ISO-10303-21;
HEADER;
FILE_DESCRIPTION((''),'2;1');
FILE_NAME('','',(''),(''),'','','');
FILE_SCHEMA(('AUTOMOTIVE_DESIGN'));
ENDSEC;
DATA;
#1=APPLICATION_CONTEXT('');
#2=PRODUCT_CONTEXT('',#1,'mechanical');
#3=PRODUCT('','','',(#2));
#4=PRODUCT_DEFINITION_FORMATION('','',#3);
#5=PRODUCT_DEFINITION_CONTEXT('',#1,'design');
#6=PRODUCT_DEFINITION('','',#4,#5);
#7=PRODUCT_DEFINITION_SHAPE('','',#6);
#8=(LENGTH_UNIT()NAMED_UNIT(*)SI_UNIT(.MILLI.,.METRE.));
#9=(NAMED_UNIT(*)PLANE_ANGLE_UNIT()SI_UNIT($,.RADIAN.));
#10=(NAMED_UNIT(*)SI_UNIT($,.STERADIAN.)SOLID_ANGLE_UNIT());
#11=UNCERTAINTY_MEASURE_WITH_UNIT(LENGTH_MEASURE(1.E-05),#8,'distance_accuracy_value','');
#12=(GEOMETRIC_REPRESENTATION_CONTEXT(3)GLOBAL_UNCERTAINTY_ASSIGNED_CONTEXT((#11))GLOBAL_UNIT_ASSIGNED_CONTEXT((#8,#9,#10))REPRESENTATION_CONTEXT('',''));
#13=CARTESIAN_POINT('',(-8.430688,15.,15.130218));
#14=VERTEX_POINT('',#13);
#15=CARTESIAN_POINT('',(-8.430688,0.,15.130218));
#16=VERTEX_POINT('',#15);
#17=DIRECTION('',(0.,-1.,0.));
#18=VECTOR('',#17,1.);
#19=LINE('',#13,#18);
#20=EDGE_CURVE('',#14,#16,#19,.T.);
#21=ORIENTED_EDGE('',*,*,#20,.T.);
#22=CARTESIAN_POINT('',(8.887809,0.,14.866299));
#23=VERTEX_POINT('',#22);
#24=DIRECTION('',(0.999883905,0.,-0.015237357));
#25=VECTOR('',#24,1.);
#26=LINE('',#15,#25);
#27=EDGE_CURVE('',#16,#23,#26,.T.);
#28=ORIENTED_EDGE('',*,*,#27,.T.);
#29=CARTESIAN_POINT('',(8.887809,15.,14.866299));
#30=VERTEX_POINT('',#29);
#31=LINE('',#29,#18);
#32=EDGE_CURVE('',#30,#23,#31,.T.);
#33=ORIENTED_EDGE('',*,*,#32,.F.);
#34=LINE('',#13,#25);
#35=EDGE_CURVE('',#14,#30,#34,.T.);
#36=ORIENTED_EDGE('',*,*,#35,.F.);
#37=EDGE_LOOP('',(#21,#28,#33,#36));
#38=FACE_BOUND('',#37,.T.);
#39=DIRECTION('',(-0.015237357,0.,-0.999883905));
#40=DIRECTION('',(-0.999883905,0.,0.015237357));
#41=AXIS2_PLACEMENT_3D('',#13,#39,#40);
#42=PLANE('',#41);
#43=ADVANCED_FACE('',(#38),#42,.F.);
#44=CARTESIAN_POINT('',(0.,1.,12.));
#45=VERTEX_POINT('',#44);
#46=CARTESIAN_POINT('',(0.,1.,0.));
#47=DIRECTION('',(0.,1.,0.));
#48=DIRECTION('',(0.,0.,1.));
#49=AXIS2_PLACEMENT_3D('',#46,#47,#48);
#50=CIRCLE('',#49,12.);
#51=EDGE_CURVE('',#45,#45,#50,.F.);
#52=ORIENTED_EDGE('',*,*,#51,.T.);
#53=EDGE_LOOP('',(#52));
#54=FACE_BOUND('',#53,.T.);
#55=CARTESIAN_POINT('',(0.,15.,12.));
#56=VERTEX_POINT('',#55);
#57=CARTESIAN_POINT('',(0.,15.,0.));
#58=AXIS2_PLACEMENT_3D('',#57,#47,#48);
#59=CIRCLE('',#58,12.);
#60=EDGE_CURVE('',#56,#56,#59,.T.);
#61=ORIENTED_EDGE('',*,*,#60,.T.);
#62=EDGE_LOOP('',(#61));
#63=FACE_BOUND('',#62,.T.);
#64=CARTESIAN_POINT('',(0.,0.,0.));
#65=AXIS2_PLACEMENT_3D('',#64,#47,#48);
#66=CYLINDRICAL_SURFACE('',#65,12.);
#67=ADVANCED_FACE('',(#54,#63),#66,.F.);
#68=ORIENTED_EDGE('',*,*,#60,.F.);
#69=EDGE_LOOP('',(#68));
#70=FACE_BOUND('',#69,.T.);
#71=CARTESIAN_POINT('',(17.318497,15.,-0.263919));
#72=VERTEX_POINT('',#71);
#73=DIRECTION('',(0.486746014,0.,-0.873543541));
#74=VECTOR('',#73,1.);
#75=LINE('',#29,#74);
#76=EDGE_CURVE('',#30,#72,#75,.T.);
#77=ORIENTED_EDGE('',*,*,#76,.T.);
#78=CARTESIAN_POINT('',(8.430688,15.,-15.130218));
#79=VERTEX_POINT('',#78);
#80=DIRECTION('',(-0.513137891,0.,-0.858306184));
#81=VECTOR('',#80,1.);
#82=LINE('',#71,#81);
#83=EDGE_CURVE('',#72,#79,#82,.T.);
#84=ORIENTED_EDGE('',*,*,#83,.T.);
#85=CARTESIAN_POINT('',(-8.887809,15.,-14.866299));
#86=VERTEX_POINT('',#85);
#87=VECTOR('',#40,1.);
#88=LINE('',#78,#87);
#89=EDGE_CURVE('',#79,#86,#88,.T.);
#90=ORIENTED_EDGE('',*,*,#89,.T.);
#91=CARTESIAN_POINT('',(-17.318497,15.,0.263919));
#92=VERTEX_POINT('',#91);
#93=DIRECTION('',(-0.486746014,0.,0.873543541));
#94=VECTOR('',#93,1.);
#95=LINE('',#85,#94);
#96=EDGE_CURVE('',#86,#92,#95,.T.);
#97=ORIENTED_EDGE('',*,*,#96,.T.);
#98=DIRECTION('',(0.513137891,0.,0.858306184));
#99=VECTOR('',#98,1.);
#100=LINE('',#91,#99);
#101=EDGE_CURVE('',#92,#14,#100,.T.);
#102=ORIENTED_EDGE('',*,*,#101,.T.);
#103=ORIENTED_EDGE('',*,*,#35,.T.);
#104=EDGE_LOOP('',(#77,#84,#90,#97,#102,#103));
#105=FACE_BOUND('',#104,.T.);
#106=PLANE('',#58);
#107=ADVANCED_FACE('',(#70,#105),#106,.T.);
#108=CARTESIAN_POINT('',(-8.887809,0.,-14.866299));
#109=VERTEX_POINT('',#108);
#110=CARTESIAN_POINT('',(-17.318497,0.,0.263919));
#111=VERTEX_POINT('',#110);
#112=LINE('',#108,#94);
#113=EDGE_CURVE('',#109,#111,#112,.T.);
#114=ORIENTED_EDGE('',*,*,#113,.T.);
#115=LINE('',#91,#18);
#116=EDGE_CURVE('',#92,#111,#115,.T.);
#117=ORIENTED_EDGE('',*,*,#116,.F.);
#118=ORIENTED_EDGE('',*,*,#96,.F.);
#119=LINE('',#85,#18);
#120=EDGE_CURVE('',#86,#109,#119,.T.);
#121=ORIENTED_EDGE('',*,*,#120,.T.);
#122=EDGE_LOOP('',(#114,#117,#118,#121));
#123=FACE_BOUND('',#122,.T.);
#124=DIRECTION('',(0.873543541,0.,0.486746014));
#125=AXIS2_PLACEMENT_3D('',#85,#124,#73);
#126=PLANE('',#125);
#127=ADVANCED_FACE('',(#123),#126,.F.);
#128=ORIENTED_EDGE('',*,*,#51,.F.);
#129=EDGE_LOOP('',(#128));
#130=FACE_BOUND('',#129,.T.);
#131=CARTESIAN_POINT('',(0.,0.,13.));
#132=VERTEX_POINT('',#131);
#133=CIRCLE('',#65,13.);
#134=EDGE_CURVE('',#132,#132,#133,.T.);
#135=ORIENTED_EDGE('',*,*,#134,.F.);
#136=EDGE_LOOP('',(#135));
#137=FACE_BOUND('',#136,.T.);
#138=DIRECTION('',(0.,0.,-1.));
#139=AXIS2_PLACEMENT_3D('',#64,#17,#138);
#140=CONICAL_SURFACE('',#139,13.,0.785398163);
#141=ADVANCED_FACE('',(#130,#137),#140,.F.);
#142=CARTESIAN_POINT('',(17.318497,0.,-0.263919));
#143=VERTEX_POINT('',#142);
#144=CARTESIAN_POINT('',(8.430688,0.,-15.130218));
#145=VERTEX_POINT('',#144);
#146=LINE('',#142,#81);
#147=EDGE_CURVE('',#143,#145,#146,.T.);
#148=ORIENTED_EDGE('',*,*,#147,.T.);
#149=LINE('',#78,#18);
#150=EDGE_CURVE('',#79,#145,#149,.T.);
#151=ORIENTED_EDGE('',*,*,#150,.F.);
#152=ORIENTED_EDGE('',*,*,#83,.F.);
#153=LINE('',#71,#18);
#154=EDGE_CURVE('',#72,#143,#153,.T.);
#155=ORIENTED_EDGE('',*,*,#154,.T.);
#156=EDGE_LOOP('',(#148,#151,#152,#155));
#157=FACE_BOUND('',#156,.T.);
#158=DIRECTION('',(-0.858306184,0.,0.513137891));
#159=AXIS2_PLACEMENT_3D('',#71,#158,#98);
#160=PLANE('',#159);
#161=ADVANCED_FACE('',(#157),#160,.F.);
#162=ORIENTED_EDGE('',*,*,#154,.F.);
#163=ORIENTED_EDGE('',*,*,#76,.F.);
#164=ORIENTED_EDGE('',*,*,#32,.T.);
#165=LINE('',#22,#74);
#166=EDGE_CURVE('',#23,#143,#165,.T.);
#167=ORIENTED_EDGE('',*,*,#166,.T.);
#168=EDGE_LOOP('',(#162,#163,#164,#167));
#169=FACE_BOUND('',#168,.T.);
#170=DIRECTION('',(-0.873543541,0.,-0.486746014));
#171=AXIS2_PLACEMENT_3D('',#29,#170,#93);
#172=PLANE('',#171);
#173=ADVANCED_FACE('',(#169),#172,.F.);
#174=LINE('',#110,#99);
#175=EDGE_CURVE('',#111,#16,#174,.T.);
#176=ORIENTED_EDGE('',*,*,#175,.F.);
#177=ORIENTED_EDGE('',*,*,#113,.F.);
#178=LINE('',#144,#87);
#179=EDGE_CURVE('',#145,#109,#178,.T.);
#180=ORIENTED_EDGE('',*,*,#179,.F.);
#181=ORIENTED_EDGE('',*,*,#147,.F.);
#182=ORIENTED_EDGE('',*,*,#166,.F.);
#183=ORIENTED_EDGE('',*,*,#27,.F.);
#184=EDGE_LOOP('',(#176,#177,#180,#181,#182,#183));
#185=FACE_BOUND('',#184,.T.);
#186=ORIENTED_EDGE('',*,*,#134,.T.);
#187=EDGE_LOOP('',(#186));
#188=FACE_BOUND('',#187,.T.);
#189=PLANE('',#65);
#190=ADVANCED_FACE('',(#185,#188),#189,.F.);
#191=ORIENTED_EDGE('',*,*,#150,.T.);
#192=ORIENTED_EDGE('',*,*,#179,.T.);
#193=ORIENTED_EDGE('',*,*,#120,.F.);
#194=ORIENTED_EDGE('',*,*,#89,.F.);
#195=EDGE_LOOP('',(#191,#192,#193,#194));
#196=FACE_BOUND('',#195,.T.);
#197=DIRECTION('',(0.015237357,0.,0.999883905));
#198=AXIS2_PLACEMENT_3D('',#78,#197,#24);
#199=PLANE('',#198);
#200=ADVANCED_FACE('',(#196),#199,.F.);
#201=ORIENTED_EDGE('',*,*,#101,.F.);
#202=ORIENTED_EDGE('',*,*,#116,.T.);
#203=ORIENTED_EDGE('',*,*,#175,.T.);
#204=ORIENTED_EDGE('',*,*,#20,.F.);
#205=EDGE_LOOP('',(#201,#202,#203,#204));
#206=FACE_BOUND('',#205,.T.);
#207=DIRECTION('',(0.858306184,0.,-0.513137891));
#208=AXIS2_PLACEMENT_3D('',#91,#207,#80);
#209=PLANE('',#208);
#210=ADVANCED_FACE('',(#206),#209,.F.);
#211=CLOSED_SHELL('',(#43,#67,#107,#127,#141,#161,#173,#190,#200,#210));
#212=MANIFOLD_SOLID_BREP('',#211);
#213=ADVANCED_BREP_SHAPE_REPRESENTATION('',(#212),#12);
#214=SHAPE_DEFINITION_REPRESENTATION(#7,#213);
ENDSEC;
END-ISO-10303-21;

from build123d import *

# Parameters (mm, degrees)
BOSS_EXTRUDE1_DEPTH = 15
SKETCH2_R           = 12
CUT_EXTRUDE1_DEPTH  = 28.45639893
CHAMFER1_SIZE       = 1


with BuildPart() as part:
    # Sketch1 → Boss-Extrude1 (new body)
    with BuildSketch(Plane(origin=(0, 0, 0), x_dir=(1, 0, 0), z_dir=(0, 1, 0))):
        Polygon((8.887808978, -14.866299189), (17.318497247, 0.263918764), (8.430688269, 15.130217953), (-8.887808978, 14.866299189), (-17.318497247, -0.263918764), (-8.430688269, -15.130217953), align=None)
    extrude(amount=BOSS_EXTRUDE1_DEPTH)

    # Sketch2 → Cut-Extrude1 (cut, through all)
    with BuildSketch(Plane(origin=(0, 15, 0), x_dir=(1, 0, 0), z_dir=(0, 1, 0))):
        with Locations(Location((0, 0, 0), (0, 0, 270))):
            Circle(SKETCH2_R)
    extrude(amount=-CUT_EXTRUDE1_DEPTH, mode=Mode.SUBTRACT)

    # Chamfer1
    chamfer1_edges = [part.edges().sort_by_distance(p)[0] for p in [
        (0, 0, -12),
    ]]
    chamfer(chamfer1_edges, length=CHAMFER1_SIZE)


solid = part.part
